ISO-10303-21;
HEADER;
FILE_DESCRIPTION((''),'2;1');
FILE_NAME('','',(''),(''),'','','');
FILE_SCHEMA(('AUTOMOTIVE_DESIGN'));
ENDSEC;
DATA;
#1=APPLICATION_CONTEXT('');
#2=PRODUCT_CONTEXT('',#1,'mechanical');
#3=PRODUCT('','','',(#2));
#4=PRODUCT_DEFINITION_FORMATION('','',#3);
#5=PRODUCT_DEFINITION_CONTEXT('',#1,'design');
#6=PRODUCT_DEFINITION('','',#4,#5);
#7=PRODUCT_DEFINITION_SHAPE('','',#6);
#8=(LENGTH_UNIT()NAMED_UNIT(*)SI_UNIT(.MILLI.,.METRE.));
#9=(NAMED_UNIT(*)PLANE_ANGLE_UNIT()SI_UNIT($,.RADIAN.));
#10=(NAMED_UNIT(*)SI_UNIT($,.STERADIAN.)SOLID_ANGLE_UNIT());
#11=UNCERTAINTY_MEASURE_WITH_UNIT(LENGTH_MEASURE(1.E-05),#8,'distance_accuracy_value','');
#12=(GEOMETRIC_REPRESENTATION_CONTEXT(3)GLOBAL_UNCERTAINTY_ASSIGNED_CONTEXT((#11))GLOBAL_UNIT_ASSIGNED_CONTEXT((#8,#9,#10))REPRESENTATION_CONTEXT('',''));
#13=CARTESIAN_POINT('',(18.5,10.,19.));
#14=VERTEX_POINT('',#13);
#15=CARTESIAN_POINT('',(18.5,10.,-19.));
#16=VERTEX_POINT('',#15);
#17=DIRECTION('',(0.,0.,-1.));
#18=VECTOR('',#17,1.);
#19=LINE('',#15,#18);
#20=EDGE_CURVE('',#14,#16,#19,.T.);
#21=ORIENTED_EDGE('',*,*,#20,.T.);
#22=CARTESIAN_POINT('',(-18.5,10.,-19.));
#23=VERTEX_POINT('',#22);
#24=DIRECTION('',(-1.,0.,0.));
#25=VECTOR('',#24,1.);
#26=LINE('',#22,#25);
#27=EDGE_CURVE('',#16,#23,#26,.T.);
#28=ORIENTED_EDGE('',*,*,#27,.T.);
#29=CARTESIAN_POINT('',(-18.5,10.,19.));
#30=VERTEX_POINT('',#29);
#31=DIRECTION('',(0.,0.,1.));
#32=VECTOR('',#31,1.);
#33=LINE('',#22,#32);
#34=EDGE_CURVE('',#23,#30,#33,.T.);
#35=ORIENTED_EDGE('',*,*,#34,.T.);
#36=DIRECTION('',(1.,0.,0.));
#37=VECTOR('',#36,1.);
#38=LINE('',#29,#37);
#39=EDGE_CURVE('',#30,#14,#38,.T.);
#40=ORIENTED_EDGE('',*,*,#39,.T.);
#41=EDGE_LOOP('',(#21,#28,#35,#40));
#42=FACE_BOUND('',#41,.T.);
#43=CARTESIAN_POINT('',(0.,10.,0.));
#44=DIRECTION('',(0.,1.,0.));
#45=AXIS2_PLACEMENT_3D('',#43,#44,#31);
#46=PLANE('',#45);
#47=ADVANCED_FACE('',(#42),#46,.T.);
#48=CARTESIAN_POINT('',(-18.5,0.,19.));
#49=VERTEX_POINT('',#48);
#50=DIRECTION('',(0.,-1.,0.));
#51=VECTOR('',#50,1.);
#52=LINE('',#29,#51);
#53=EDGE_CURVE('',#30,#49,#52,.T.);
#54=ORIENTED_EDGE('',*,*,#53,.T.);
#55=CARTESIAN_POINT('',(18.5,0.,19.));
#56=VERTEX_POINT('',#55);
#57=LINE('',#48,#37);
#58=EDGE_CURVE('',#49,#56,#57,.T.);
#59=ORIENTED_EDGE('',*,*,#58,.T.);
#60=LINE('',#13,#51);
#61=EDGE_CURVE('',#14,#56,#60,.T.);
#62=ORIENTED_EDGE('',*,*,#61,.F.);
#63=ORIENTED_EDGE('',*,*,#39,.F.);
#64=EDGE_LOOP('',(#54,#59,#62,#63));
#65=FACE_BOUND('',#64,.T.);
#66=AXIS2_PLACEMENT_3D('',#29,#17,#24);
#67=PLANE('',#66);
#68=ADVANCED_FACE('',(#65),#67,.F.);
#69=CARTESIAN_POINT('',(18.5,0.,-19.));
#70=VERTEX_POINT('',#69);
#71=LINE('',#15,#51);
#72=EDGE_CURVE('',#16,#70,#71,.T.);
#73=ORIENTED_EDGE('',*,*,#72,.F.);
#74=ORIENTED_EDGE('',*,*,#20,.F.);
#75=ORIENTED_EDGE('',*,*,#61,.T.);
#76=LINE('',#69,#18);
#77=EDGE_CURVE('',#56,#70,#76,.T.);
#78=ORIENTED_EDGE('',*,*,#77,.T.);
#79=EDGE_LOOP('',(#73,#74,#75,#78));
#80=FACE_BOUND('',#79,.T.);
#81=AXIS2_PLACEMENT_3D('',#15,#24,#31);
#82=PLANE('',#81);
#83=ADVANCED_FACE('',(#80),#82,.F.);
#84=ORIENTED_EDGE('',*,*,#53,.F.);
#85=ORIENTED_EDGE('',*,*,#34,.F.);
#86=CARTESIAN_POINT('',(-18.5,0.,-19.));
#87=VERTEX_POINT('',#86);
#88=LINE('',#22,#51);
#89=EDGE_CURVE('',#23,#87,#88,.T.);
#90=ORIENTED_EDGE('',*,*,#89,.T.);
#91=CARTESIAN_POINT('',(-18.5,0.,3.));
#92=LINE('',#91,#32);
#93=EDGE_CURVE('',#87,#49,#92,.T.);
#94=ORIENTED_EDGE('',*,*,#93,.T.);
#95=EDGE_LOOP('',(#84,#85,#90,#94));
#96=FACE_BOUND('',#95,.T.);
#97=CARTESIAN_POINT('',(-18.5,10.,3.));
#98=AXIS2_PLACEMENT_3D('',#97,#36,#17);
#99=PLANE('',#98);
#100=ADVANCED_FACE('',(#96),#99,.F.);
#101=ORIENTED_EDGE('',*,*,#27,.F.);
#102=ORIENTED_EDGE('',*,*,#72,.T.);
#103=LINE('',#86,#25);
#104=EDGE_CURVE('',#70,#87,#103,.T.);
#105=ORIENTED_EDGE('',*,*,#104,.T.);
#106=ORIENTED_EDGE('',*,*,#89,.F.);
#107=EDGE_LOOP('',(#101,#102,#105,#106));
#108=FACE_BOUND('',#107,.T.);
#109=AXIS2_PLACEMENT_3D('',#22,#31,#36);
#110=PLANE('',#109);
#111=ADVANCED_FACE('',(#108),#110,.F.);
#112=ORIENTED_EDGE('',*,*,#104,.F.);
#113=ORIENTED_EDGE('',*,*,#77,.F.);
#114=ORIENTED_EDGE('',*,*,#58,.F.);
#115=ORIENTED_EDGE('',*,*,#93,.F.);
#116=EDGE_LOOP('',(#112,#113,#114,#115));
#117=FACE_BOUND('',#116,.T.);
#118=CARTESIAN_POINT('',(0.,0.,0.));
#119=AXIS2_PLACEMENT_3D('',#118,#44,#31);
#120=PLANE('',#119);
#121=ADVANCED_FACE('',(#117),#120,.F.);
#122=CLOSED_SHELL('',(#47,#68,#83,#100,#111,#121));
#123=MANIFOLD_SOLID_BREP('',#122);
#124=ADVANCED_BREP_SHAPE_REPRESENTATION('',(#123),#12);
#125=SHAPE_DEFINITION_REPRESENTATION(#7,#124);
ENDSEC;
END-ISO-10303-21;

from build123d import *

# Parameters (mm, degrees)
BOSS_EXTRUDE1_DEPTH = 10


with BuildPart() as part:
    # Sketch1 → Boss-Extrude1 (new body)
    with BuildSketch(Plane(origin=(0, 0, 0), x_dir=(1, 0, 0), z_dir=(0, 1, 0))):
        Polygon((-18.5, 19), (18.5, 19), (18.5, -19), (-18.5, -19), (-18.5, -3), (-18.5, 3), align=None)
    extrude(amount=BOSS_EXTRUDE1_DEPTH)


solid = part.part
